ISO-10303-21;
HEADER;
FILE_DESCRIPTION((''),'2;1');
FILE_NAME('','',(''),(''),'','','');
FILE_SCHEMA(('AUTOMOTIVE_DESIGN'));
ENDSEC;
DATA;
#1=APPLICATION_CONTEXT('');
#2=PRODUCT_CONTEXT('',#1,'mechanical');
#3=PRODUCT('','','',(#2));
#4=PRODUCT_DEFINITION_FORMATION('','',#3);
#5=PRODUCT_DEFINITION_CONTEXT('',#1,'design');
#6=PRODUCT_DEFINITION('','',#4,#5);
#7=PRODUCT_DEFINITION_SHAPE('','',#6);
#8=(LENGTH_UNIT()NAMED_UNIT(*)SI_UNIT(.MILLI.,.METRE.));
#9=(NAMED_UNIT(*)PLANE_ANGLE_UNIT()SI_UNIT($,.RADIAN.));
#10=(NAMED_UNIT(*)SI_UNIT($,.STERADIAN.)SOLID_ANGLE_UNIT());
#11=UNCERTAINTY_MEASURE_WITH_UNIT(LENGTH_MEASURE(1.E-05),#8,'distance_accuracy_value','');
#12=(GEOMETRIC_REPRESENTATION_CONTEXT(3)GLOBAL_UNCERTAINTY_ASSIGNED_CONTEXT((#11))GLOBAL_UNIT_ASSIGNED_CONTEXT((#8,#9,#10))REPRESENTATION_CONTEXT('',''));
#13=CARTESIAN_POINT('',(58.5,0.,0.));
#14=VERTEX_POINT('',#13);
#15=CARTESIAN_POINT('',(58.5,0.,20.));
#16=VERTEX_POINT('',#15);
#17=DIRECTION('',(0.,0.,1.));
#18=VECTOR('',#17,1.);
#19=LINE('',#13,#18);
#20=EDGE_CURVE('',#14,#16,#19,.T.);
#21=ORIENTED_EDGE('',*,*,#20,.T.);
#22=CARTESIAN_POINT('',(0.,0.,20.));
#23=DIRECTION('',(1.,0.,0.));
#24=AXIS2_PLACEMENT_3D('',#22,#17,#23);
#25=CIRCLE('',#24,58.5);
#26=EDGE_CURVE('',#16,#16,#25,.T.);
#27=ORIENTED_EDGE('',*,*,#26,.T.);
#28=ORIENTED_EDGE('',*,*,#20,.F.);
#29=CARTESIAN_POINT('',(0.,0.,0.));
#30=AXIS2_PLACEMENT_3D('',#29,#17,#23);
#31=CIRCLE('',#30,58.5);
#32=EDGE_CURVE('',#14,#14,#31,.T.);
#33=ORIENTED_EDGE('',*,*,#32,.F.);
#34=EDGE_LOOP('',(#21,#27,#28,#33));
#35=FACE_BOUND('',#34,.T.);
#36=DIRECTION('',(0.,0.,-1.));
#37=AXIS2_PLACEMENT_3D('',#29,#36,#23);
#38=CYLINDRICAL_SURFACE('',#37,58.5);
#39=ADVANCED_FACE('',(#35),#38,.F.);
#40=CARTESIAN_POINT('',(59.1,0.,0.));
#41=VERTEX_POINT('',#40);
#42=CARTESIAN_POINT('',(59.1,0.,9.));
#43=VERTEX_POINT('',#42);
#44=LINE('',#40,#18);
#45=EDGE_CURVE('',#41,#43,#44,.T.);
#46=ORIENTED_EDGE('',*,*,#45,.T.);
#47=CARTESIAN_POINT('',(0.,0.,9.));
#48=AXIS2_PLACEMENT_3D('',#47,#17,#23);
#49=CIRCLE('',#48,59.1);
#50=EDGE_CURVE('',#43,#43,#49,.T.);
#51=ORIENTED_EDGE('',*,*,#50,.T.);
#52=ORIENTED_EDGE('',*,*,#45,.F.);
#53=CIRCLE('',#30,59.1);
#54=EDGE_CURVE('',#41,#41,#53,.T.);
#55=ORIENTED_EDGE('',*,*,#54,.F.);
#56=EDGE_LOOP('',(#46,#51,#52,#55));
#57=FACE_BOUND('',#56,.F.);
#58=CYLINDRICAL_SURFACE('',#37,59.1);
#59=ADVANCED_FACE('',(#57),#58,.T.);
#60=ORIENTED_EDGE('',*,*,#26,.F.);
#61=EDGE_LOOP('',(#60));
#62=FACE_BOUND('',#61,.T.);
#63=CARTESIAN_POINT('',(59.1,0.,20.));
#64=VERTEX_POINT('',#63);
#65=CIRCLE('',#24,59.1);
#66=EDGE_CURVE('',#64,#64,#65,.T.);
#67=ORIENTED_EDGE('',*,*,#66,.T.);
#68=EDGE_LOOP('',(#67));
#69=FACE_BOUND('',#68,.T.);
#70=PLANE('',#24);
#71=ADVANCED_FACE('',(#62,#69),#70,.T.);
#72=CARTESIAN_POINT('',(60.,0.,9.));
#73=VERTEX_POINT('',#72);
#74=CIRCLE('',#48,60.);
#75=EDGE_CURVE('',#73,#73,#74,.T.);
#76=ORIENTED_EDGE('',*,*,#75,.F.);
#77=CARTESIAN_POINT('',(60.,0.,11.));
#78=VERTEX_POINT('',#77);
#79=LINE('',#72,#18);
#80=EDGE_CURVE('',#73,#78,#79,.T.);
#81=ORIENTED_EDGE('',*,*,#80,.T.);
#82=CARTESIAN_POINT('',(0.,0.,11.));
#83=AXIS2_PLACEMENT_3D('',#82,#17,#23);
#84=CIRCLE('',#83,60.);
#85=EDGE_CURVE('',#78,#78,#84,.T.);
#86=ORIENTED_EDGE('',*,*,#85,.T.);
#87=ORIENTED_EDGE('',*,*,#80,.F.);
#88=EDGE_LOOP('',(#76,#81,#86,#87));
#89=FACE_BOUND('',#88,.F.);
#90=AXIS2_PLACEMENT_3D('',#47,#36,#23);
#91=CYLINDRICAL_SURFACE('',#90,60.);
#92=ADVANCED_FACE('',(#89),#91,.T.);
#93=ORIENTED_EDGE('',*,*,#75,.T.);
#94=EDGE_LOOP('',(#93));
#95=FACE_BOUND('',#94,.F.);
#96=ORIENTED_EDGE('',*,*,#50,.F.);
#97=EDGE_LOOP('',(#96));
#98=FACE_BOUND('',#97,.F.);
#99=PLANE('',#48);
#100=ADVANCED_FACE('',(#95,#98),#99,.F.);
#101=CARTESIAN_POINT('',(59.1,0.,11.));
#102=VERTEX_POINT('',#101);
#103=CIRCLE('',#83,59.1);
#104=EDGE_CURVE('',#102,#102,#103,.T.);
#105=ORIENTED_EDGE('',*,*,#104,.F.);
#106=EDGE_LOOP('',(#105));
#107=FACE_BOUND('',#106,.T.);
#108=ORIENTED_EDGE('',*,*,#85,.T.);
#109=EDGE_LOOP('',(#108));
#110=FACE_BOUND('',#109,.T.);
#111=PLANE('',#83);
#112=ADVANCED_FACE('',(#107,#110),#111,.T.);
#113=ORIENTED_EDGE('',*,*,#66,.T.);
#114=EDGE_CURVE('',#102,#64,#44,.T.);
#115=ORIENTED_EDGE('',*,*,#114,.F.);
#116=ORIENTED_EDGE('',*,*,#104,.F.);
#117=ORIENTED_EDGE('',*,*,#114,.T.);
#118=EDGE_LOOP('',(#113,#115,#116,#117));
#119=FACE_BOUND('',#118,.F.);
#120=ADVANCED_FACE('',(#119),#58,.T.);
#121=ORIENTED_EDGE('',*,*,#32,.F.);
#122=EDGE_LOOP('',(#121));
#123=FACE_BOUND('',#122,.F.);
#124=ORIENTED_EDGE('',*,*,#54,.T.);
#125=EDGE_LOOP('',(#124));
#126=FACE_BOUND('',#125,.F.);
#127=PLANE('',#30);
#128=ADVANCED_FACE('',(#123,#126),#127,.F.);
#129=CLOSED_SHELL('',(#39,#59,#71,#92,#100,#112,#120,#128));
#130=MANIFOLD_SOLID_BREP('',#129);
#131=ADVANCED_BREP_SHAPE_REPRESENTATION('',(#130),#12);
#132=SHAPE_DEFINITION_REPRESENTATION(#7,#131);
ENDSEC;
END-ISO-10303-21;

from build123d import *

# Parameters (mm, degrees)
F0_R     = 59.1
F0_R_2   = 58.5
F1_DEPTH = 20
F2_START = 9
F0_R_3   = 60
F2_DEPTH = 2


with BuildPart() as f1:
    # F0 (on Top) → F1 (new body)
    with BuildSketch(Plane.XY):
        Circle(F0_R)
        Circle(F0_R_2, mode=Mode.SUBTRACT)
    extrude(amount=F1_DEPTH)

    # F0 (on Top) → F2 (join)
    with BuildSketch(Plane.XY.offset(F2_START)):
        Circle(F0_R_3)
        Circle(F0_R, mode=Mode.SUBTRACT)
    extrude(amount=F2_DEPTH)


solid = f1.part
